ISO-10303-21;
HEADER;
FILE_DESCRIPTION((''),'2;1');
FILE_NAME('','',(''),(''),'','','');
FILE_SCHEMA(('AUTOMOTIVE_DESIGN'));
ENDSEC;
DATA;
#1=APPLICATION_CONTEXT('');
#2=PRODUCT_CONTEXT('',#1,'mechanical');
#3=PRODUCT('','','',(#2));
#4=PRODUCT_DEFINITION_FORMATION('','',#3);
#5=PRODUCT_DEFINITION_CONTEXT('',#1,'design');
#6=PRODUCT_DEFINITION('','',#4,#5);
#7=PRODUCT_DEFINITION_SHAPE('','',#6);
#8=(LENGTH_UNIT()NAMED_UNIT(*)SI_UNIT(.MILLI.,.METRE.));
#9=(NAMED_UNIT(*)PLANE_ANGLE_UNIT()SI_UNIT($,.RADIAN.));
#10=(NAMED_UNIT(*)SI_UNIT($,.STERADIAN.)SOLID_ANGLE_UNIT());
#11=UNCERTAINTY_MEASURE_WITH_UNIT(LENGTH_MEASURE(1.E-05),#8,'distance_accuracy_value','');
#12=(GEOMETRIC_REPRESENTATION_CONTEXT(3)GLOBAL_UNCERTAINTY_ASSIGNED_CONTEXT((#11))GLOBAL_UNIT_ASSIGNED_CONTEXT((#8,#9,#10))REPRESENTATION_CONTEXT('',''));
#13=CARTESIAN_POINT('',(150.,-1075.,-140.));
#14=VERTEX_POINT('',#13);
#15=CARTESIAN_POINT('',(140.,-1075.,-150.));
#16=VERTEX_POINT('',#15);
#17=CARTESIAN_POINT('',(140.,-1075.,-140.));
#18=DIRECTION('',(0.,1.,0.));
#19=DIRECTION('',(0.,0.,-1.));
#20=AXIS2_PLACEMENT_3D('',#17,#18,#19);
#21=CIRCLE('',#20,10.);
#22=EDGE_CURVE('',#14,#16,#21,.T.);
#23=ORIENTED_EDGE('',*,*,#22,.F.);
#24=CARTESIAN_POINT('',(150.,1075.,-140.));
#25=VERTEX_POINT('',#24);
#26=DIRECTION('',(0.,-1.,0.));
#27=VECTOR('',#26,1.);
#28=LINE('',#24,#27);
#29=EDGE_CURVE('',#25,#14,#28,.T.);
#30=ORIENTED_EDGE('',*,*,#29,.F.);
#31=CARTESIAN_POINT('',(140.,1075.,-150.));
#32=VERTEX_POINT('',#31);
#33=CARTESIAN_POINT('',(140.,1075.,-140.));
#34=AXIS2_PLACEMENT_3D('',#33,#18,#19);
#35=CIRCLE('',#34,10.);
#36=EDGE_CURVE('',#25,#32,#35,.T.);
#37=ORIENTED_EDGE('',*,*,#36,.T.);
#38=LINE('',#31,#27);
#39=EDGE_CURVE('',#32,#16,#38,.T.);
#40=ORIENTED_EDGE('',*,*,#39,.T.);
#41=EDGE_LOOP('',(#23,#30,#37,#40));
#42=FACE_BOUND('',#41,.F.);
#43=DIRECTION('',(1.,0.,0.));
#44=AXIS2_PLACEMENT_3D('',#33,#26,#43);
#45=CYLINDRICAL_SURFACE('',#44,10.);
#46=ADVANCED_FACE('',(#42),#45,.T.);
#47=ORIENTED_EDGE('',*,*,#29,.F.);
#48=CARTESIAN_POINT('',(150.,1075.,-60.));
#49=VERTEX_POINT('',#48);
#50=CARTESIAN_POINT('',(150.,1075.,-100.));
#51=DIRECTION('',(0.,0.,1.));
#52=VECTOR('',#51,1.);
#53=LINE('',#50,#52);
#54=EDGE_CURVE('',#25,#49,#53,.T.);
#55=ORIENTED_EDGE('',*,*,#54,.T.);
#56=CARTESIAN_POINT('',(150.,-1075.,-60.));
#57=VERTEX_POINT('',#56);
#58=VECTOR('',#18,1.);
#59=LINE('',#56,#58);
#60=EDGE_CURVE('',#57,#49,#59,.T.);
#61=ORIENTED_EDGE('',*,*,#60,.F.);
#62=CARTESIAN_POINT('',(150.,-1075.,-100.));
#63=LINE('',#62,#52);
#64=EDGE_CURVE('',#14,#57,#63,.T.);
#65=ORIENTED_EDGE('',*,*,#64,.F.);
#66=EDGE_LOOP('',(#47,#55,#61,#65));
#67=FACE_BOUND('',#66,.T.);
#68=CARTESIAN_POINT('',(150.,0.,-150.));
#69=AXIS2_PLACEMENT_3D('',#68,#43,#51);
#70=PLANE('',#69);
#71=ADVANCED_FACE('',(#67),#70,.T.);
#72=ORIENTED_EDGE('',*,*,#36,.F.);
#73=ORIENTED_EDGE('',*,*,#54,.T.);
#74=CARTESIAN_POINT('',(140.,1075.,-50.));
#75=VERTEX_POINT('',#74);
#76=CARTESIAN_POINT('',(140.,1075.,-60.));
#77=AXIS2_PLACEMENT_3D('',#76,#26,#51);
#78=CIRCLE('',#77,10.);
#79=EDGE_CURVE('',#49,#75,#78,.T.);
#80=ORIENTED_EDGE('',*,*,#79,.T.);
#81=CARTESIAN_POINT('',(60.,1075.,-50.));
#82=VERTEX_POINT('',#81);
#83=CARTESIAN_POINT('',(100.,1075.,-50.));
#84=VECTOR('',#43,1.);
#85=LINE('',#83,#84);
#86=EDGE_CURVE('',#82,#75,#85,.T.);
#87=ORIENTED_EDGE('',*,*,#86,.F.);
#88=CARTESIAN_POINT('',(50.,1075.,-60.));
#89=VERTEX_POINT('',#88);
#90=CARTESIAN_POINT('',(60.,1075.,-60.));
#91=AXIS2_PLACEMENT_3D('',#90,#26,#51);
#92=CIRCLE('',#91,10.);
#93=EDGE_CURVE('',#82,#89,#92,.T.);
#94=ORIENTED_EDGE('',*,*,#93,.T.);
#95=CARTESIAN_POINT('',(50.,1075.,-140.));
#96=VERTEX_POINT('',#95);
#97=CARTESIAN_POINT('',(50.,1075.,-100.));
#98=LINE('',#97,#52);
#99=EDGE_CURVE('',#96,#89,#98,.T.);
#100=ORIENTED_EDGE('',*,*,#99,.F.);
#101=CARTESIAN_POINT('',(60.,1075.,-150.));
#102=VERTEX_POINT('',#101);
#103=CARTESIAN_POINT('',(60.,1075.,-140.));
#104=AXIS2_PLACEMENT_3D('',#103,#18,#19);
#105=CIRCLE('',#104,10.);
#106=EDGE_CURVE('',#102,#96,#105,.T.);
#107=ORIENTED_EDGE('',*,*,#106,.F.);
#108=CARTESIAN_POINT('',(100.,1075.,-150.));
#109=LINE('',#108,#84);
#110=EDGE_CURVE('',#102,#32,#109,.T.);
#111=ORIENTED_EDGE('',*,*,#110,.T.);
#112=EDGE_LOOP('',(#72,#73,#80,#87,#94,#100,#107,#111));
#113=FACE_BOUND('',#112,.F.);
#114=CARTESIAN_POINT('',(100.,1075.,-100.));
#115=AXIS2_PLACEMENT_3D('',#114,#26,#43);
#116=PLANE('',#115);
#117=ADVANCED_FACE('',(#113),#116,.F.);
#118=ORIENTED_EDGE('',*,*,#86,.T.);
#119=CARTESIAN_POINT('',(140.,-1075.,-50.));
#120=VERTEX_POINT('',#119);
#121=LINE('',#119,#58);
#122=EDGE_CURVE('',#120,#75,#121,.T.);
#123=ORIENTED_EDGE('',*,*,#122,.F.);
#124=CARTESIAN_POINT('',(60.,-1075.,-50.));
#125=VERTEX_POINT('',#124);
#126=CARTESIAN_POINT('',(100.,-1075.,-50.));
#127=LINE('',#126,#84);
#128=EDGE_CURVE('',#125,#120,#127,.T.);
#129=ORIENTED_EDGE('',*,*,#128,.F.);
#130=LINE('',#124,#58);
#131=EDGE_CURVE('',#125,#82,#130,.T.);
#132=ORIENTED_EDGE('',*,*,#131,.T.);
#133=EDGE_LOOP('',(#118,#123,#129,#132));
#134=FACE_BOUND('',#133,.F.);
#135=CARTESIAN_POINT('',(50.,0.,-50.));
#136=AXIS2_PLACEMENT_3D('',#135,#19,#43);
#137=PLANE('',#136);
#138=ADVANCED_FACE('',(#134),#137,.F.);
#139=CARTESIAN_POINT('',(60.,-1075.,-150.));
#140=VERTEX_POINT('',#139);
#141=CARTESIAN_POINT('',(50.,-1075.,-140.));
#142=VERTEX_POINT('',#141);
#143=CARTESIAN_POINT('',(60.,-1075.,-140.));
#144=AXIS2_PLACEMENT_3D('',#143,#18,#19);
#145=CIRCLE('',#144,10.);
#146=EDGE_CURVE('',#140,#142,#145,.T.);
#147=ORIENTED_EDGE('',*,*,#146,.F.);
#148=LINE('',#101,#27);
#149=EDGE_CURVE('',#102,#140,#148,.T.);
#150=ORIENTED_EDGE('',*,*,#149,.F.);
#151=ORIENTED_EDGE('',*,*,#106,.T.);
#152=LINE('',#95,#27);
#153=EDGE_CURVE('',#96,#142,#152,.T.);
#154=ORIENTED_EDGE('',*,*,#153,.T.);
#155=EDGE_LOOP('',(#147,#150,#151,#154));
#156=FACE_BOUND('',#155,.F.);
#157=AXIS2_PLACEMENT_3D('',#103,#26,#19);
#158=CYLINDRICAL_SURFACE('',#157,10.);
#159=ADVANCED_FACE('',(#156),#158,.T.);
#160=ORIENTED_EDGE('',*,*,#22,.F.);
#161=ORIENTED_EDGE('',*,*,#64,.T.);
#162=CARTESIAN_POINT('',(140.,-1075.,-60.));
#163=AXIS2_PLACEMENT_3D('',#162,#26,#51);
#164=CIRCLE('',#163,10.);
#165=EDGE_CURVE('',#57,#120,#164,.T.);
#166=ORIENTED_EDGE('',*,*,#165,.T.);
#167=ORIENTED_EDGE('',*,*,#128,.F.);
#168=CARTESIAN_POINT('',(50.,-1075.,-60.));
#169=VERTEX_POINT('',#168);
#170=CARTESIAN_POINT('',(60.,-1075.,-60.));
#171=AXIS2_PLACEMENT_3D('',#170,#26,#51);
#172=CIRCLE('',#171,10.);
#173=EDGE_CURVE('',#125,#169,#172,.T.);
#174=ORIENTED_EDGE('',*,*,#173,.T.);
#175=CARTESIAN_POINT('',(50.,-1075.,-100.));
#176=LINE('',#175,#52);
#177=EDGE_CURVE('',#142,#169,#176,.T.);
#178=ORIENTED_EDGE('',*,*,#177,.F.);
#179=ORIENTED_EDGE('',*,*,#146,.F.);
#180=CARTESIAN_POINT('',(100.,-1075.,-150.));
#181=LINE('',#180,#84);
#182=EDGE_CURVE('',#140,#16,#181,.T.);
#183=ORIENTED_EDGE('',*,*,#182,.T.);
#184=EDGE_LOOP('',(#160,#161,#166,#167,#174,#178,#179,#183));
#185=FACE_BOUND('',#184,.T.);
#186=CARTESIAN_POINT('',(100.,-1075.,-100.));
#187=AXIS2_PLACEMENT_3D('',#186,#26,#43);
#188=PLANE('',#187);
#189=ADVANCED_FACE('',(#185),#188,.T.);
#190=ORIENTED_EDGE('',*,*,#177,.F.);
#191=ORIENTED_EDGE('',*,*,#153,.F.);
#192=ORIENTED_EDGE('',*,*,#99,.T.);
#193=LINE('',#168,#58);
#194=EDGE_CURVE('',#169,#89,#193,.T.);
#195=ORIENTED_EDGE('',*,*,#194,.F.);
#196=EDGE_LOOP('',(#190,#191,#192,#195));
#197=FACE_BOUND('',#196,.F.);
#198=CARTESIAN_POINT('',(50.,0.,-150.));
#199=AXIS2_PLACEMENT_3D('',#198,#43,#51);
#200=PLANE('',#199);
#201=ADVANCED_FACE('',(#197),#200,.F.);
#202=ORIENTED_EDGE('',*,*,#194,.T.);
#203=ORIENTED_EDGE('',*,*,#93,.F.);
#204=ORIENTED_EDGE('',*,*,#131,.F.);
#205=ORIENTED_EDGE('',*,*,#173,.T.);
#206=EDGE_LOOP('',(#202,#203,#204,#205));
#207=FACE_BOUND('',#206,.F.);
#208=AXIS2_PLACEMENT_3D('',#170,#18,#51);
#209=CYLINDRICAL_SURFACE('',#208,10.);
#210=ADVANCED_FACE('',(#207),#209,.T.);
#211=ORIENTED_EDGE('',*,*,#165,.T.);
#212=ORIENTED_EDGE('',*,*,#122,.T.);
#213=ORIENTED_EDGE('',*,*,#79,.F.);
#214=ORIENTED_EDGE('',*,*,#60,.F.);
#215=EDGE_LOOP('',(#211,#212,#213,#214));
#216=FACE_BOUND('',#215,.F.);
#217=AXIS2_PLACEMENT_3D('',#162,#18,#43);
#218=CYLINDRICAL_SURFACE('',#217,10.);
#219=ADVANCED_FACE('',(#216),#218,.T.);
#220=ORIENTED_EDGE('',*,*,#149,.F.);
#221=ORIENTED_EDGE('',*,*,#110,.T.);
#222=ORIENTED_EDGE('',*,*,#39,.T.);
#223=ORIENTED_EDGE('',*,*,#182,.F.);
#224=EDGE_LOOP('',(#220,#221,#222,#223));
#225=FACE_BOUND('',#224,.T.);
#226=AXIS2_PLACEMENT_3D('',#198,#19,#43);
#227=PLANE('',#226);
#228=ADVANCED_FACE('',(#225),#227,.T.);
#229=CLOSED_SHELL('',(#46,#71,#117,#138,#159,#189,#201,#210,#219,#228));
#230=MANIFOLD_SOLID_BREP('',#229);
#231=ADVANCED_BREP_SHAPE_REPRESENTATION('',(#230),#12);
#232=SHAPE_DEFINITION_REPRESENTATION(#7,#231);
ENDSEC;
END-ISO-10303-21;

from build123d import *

# Parameters (mm, degrees)
SKETCH001_W  = 100
SKETCH001_H  = 100
PAD001_DEPTH = 1075
FILLET_R     = 10
FILLET001_R  = 10


with BuildPart() as part:
    # Sketch001 → Pad001 (new body, symmetric)
    with BuildSketch(Plane.XZ):
        with Locations((-100, -100)):
            Rectangle(SKETCH001_W, SKETCH001_H)
    extrude(amount=PAD001_DEPTH, both=True)

    # Fillet
    fillet_edges = [part.edges().sort_by_distance(p)[0] for p in [
        (-50, 0, -50),
    ]]
    fillet(fillet_edges, radius=FILLET_R)

    # Fillet001
    fillet001_edges = [part.edges().sort_by_distance(p)[0] for p in [
        (-150, 0, -150),
        (-50, 0, -150),
        (-150, 0, -50),
    ]]
    fillet(fillet001_edges, radius=FILLET001_R)


with BuildPart() as part_1:
    # Body002 placement: moved
    add(part.part.moved(Location((200, 0, 0))))


solid = part_1.part
